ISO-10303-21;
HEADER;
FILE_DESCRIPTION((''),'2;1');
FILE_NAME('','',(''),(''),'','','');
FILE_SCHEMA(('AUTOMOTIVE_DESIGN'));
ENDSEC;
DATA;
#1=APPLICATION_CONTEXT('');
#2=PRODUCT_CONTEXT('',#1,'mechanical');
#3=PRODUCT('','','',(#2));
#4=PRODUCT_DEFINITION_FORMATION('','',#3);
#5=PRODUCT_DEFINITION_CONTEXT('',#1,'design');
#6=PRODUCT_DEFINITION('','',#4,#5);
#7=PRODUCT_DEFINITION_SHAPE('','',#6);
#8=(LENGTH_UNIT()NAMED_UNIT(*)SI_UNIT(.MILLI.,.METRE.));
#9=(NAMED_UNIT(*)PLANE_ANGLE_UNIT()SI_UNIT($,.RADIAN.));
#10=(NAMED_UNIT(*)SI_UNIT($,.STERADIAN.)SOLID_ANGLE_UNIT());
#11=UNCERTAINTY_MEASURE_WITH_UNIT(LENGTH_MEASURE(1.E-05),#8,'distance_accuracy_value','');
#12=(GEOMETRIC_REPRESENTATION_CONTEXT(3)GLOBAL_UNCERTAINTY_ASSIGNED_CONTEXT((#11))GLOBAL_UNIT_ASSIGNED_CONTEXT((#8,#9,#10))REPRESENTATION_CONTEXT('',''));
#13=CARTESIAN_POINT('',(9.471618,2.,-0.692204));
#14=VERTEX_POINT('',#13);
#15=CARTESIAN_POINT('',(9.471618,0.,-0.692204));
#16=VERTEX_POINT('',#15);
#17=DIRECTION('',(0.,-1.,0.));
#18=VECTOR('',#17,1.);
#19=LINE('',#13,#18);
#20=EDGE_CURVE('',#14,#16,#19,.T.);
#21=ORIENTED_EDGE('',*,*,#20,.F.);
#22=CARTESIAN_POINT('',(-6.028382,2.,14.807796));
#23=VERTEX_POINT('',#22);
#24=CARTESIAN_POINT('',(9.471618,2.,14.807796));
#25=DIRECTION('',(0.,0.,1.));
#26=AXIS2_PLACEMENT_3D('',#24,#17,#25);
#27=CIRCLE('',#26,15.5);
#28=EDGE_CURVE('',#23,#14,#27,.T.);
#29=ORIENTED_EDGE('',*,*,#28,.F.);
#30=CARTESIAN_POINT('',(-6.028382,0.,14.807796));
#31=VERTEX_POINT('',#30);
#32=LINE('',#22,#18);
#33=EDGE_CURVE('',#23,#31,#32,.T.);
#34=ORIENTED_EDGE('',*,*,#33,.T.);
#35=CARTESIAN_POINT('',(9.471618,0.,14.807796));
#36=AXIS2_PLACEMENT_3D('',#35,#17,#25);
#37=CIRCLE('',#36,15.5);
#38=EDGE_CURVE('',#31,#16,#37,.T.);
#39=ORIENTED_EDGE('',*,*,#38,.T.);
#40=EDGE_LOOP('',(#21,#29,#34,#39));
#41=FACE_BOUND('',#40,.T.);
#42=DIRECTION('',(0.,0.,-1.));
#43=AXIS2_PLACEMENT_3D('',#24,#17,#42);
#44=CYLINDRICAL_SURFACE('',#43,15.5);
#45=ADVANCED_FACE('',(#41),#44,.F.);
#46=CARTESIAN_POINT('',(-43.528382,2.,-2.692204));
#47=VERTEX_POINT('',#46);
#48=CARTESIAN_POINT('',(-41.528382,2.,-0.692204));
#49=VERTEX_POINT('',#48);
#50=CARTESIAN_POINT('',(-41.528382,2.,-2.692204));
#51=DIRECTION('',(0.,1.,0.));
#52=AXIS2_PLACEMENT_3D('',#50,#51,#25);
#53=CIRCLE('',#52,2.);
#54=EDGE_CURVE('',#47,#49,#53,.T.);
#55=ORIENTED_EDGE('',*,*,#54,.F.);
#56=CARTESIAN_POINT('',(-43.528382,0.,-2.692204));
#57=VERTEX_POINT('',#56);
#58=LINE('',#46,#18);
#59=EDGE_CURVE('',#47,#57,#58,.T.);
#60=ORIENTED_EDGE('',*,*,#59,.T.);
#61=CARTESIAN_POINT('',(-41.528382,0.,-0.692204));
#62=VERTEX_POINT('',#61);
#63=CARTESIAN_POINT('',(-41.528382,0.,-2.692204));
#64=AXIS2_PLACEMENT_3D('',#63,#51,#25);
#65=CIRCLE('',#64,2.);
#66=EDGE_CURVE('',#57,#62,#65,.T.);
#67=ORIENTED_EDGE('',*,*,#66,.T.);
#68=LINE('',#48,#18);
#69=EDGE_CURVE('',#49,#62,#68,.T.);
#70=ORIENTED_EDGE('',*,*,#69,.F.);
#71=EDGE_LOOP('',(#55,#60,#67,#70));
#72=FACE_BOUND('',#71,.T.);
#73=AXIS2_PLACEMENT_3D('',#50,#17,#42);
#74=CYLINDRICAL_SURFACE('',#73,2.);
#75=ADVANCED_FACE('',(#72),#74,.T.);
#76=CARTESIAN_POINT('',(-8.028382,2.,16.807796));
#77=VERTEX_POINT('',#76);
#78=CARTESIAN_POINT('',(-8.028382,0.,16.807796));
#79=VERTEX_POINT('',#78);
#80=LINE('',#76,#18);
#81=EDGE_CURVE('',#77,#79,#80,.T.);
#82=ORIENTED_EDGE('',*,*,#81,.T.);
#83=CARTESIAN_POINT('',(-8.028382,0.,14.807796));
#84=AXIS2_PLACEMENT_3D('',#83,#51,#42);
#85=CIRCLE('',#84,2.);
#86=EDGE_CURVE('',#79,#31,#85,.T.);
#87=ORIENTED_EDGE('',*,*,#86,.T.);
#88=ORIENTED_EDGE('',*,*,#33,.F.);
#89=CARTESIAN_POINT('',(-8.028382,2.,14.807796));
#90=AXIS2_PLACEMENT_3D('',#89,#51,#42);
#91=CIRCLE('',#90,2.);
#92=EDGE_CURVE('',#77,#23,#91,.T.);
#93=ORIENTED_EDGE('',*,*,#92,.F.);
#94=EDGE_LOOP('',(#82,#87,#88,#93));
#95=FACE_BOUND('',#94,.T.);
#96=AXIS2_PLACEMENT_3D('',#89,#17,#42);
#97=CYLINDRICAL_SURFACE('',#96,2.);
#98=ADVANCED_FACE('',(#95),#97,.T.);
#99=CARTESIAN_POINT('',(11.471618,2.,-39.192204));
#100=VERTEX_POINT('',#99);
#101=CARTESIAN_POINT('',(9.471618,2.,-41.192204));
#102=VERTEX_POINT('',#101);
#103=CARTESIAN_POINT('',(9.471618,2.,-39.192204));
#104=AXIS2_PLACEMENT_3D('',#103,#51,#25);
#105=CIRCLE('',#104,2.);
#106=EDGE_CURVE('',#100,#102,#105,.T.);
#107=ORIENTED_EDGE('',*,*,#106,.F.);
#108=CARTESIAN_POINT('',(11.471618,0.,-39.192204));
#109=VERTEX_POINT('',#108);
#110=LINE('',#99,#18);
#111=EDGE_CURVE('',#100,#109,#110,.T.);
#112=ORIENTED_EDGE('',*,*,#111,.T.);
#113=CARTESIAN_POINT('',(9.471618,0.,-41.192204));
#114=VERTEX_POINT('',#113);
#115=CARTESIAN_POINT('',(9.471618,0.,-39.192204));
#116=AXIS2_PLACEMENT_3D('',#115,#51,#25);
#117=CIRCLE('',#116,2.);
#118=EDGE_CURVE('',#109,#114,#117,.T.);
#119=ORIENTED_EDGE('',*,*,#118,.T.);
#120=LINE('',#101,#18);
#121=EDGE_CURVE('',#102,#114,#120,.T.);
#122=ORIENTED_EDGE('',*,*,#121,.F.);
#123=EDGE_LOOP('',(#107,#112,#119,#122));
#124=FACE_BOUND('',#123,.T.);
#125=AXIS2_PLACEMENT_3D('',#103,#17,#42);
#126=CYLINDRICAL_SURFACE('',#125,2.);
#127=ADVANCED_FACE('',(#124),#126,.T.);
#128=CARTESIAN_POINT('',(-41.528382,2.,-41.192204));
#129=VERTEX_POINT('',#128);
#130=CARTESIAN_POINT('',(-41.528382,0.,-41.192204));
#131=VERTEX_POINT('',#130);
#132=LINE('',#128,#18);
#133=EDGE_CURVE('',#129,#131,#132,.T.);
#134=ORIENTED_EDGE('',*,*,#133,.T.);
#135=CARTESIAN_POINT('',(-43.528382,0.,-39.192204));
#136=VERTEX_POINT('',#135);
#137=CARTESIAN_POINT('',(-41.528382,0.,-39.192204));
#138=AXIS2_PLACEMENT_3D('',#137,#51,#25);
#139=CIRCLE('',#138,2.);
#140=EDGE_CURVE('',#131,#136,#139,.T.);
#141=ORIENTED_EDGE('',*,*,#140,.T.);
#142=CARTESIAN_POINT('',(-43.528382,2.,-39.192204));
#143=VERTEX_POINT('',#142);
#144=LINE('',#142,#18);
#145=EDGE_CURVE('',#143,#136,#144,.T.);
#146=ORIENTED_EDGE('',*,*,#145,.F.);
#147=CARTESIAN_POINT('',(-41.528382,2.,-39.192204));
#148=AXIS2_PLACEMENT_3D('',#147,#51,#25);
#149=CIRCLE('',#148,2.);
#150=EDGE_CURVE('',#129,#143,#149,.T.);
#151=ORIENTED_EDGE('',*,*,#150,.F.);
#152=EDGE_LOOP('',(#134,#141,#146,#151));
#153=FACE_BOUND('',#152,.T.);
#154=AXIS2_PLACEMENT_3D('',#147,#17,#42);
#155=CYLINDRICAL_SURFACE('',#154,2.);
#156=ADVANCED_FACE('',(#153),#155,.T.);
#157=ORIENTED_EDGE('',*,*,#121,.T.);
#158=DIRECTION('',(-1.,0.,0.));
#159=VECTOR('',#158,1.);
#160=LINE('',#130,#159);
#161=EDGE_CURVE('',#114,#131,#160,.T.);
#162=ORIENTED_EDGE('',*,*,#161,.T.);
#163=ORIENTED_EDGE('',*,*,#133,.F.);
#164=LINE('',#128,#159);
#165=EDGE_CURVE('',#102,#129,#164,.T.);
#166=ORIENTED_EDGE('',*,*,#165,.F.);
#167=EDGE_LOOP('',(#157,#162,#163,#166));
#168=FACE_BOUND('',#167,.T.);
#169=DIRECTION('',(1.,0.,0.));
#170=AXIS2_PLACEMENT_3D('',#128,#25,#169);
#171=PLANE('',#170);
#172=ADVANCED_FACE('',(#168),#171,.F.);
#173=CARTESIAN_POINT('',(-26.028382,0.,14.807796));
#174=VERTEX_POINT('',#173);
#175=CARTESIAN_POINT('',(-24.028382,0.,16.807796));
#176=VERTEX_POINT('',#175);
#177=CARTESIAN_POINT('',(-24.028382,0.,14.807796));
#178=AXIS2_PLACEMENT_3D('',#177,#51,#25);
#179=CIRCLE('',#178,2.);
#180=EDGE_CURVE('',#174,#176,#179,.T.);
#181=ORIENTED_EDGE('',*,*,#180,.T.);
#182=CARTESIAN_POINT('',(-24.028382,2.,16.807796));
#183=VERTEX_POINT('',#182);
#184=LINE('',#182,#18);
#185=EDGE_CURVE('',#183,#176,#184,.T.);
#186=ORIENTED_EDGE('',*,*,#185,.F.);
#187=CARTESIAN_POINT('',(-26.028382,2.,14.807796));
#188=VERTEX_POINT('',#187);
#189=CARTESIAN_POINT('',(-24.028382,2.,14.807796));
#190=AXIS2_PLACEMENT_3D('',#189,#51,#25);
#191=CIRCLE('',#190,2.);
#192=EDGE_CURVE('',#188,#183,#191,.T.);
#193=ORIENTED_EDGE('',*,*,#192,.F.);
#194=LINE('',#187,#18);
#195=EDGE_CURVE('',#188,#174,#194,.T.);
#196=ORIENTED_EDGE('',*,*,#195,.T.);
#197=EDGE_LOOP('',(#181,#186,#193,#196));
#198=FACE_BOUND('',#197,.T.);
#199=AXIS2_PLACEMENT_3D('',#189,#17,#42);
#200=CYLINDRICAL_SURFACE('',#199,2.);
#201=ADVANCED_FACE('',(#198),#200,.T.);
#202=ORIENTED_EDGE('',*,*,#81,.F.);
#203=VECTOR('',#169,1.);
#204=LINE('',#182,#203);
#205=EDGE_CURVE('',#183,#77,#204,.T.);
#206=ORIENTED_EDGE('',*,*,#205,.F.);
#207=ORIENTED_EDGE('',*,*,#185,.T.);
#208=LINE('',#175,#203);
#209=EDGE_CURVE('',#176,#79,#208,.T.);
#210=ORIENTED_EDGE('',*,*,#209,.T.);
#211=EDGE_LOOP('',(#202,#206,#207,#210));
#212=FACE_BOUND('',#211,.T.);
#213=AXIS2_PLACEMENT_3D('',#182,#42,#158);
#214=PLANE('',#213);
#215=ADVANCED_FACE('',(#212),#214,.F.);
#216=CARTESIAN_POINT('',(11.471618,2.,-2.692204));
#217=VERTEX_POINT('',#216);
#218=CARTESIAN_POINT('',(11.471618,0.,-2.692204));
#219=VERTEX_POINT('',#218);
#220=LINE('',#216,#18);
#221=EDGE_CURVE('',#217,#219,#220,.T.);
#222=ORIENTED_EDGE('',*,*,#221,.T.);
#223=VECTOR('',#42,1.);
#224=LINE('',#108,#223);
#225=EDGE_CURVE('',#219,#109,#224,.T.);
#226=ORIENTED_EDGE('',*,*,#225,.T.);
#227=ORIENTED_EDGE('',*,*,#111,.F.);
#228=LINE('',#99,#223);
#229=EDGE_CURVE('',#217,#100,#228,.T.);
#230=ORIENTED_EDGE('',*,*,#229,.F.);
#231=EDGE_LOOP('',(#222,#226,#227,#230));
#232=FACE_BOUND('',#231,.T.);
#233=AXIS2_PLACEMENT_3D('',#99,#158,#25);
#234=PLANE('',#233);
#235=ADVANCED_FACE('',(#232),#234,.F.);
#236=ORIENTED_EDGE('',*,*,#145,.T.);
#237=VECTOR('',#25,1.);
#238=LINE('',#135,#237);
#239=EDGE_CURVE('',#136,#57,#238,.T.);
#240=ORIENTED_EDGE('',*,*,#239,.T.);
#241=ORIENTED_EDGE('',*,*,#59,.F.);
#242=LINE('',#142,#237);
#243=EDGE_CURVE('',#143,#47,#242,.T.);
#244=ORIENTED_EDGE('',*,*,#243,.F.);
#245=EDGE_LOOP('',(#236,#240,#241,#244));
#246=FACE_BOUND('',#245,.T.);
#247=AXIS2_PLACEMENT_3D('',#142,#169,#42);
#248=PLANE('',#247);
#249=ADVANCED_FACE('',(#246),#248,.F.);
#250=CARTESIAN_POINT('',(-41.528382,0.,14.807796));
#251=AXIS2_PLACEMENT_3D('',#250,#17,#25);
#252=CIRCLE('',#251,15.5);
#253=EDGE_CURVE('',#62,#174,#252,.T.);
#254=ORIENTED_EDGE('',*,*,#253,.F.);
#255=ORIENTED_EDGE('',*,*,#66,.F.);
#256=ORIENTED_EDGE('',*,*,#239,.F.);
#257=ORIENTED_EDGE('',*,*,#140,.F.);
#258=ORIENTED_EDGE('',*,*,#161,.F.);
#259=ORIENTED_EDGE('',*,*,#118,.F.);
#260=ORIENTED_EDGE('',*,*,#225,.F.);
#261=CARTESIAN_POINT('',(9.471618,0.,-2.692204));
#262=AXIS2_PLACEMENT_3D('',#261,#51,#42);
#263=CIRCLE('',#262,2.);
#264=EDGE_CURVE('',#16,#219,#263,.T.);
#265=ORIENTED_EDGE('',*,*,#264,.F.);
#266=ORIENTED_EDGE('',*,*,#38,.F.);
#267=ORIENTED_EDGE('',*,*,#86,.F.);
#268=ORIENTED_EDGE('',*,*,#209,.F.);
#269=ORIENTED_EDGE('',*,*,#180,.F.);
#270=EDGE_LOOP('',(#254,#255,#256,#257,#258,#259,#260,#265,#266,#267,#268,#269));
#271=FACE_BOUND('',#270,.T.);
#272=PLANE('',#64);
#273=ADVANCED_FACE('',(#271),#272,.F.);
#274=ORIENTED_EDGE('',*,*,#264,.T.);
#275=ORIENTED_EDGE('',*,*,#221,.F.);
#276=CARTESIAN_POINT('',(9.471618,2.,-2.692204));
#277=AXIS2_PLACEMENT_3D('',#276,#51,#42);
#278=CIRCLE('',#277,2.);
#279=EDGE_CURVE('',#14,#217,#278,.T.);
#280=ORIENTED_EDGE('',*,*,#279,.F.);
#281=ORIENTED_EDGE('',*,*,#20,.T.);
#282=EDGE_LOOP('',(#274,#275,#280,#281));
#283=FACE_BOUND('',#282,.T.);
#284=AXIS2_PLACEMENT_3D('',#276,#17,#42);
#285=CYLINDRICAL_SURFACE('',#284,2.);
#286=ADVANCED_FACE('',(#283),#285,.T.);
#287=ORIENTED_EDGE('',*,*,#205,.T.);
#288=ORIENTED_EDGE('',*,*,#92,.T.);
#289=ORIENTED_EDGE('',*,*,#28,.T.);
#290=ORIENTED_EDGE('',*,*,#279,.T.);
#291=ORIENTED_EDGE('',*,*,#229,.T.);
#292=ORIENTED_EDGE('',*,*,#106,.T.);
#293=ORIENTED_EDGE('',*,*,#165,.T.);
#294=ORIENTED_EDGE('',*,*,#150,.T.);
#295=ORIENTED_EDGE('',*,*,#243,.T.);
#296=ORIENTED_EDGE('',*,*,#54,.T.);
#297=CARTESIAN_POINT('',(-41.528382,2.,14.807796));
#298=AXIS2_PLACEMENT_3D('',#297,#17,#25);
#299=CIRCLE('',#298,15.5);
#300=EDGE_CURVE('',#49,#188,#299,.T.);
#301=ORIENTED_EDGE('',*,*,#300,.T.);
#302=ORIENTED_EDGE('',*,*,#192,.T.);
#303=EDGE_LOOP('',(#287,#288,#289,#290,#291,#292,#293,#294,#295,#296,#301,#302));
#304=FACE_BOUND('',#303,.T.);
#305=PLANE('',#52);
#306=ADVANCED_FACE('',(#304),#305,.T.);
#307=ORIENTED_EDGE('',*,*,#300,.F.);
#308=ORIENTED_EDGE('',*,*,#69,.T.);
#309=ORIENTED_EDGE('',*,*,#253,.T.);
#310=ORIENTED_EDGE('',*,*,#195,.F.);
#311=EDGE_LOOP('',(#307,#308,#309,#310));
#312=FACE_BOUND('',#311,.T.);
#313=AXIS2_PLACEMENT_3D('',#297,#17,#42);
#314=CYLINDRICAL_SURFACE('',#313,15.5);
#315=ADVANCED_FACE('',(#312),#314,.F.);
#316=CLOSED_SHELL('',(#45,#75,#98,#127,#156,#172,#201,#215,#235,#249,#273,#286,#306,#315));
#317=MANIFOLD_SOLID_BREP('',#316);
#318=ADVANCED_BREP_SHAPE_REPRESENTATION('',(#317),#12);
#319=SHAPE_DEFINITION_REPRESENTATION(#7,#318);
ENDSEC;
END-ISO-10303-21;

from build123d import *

# Parameters (mm, degrees)
SALIENTE_EXTRUIR1_DEPTH = 2


with BuildPart() as part:
    # Croquis1 → Saliente-Extruir1 (new body)
    with BuildSketch(Plane(origin=(0, 0, 0), x_dir=(1, 0, 0), z_dir=(0, 1, 0))):
        with BuildLine():
            Line((-41.528381643, 41.192203833), (9.471618357, 41.192203833))
            ThreePointArc((9.471618357, 41.192203833), (10.88583192, 40.606417395), (11.471618357, 39.192203833))
            Line((11.471618357, 39.192203833), (11.471618357, 2.692203833))
            ThreePointArc((11.471618357, 2.692203833), (10.88583192, 1.27799027), (9.471618357, 0.692203833))
            ThreePointArc((9.471618357, 0.692203833), (-1.488536751, -3.847641059), (-6.028381643, -14.807796167))
            ThreePointArc((-6.028381643, -14.807796167), (-6.61416808, -16.22200973), (-8.028381643, -16.807796167))
            Line((-8.028381643, -16.807796167), (-24.028381643, -16.807796167))
            ThreePointArc((-24.028381643, -16.807796167), (-25.442595205, -16.22200973), (-26.028381643, -14.807796167))
            ThreePointArc((-26.028381643, -14.807796167), (-30.568226534, -3.847641059), (-41.528381643, 0.692203833))
            ThreePointArc((-41.528381643, 0.692203833), (-42.942595205, 1.27799027), (-43.528381643, 2.692203833))
            Line((-43.528381643, 2.692203833), (-43.528381643, 39.192203833))
            ThreePointArc((-43.528381643, 39.192203833), (-42.942595205, 40.606417395), (-41.528381643, 41.192203833))
        make_face()
    extrude(amount=SALIENTE_EXTRUIR1_DEPTH)


solid = part.part
